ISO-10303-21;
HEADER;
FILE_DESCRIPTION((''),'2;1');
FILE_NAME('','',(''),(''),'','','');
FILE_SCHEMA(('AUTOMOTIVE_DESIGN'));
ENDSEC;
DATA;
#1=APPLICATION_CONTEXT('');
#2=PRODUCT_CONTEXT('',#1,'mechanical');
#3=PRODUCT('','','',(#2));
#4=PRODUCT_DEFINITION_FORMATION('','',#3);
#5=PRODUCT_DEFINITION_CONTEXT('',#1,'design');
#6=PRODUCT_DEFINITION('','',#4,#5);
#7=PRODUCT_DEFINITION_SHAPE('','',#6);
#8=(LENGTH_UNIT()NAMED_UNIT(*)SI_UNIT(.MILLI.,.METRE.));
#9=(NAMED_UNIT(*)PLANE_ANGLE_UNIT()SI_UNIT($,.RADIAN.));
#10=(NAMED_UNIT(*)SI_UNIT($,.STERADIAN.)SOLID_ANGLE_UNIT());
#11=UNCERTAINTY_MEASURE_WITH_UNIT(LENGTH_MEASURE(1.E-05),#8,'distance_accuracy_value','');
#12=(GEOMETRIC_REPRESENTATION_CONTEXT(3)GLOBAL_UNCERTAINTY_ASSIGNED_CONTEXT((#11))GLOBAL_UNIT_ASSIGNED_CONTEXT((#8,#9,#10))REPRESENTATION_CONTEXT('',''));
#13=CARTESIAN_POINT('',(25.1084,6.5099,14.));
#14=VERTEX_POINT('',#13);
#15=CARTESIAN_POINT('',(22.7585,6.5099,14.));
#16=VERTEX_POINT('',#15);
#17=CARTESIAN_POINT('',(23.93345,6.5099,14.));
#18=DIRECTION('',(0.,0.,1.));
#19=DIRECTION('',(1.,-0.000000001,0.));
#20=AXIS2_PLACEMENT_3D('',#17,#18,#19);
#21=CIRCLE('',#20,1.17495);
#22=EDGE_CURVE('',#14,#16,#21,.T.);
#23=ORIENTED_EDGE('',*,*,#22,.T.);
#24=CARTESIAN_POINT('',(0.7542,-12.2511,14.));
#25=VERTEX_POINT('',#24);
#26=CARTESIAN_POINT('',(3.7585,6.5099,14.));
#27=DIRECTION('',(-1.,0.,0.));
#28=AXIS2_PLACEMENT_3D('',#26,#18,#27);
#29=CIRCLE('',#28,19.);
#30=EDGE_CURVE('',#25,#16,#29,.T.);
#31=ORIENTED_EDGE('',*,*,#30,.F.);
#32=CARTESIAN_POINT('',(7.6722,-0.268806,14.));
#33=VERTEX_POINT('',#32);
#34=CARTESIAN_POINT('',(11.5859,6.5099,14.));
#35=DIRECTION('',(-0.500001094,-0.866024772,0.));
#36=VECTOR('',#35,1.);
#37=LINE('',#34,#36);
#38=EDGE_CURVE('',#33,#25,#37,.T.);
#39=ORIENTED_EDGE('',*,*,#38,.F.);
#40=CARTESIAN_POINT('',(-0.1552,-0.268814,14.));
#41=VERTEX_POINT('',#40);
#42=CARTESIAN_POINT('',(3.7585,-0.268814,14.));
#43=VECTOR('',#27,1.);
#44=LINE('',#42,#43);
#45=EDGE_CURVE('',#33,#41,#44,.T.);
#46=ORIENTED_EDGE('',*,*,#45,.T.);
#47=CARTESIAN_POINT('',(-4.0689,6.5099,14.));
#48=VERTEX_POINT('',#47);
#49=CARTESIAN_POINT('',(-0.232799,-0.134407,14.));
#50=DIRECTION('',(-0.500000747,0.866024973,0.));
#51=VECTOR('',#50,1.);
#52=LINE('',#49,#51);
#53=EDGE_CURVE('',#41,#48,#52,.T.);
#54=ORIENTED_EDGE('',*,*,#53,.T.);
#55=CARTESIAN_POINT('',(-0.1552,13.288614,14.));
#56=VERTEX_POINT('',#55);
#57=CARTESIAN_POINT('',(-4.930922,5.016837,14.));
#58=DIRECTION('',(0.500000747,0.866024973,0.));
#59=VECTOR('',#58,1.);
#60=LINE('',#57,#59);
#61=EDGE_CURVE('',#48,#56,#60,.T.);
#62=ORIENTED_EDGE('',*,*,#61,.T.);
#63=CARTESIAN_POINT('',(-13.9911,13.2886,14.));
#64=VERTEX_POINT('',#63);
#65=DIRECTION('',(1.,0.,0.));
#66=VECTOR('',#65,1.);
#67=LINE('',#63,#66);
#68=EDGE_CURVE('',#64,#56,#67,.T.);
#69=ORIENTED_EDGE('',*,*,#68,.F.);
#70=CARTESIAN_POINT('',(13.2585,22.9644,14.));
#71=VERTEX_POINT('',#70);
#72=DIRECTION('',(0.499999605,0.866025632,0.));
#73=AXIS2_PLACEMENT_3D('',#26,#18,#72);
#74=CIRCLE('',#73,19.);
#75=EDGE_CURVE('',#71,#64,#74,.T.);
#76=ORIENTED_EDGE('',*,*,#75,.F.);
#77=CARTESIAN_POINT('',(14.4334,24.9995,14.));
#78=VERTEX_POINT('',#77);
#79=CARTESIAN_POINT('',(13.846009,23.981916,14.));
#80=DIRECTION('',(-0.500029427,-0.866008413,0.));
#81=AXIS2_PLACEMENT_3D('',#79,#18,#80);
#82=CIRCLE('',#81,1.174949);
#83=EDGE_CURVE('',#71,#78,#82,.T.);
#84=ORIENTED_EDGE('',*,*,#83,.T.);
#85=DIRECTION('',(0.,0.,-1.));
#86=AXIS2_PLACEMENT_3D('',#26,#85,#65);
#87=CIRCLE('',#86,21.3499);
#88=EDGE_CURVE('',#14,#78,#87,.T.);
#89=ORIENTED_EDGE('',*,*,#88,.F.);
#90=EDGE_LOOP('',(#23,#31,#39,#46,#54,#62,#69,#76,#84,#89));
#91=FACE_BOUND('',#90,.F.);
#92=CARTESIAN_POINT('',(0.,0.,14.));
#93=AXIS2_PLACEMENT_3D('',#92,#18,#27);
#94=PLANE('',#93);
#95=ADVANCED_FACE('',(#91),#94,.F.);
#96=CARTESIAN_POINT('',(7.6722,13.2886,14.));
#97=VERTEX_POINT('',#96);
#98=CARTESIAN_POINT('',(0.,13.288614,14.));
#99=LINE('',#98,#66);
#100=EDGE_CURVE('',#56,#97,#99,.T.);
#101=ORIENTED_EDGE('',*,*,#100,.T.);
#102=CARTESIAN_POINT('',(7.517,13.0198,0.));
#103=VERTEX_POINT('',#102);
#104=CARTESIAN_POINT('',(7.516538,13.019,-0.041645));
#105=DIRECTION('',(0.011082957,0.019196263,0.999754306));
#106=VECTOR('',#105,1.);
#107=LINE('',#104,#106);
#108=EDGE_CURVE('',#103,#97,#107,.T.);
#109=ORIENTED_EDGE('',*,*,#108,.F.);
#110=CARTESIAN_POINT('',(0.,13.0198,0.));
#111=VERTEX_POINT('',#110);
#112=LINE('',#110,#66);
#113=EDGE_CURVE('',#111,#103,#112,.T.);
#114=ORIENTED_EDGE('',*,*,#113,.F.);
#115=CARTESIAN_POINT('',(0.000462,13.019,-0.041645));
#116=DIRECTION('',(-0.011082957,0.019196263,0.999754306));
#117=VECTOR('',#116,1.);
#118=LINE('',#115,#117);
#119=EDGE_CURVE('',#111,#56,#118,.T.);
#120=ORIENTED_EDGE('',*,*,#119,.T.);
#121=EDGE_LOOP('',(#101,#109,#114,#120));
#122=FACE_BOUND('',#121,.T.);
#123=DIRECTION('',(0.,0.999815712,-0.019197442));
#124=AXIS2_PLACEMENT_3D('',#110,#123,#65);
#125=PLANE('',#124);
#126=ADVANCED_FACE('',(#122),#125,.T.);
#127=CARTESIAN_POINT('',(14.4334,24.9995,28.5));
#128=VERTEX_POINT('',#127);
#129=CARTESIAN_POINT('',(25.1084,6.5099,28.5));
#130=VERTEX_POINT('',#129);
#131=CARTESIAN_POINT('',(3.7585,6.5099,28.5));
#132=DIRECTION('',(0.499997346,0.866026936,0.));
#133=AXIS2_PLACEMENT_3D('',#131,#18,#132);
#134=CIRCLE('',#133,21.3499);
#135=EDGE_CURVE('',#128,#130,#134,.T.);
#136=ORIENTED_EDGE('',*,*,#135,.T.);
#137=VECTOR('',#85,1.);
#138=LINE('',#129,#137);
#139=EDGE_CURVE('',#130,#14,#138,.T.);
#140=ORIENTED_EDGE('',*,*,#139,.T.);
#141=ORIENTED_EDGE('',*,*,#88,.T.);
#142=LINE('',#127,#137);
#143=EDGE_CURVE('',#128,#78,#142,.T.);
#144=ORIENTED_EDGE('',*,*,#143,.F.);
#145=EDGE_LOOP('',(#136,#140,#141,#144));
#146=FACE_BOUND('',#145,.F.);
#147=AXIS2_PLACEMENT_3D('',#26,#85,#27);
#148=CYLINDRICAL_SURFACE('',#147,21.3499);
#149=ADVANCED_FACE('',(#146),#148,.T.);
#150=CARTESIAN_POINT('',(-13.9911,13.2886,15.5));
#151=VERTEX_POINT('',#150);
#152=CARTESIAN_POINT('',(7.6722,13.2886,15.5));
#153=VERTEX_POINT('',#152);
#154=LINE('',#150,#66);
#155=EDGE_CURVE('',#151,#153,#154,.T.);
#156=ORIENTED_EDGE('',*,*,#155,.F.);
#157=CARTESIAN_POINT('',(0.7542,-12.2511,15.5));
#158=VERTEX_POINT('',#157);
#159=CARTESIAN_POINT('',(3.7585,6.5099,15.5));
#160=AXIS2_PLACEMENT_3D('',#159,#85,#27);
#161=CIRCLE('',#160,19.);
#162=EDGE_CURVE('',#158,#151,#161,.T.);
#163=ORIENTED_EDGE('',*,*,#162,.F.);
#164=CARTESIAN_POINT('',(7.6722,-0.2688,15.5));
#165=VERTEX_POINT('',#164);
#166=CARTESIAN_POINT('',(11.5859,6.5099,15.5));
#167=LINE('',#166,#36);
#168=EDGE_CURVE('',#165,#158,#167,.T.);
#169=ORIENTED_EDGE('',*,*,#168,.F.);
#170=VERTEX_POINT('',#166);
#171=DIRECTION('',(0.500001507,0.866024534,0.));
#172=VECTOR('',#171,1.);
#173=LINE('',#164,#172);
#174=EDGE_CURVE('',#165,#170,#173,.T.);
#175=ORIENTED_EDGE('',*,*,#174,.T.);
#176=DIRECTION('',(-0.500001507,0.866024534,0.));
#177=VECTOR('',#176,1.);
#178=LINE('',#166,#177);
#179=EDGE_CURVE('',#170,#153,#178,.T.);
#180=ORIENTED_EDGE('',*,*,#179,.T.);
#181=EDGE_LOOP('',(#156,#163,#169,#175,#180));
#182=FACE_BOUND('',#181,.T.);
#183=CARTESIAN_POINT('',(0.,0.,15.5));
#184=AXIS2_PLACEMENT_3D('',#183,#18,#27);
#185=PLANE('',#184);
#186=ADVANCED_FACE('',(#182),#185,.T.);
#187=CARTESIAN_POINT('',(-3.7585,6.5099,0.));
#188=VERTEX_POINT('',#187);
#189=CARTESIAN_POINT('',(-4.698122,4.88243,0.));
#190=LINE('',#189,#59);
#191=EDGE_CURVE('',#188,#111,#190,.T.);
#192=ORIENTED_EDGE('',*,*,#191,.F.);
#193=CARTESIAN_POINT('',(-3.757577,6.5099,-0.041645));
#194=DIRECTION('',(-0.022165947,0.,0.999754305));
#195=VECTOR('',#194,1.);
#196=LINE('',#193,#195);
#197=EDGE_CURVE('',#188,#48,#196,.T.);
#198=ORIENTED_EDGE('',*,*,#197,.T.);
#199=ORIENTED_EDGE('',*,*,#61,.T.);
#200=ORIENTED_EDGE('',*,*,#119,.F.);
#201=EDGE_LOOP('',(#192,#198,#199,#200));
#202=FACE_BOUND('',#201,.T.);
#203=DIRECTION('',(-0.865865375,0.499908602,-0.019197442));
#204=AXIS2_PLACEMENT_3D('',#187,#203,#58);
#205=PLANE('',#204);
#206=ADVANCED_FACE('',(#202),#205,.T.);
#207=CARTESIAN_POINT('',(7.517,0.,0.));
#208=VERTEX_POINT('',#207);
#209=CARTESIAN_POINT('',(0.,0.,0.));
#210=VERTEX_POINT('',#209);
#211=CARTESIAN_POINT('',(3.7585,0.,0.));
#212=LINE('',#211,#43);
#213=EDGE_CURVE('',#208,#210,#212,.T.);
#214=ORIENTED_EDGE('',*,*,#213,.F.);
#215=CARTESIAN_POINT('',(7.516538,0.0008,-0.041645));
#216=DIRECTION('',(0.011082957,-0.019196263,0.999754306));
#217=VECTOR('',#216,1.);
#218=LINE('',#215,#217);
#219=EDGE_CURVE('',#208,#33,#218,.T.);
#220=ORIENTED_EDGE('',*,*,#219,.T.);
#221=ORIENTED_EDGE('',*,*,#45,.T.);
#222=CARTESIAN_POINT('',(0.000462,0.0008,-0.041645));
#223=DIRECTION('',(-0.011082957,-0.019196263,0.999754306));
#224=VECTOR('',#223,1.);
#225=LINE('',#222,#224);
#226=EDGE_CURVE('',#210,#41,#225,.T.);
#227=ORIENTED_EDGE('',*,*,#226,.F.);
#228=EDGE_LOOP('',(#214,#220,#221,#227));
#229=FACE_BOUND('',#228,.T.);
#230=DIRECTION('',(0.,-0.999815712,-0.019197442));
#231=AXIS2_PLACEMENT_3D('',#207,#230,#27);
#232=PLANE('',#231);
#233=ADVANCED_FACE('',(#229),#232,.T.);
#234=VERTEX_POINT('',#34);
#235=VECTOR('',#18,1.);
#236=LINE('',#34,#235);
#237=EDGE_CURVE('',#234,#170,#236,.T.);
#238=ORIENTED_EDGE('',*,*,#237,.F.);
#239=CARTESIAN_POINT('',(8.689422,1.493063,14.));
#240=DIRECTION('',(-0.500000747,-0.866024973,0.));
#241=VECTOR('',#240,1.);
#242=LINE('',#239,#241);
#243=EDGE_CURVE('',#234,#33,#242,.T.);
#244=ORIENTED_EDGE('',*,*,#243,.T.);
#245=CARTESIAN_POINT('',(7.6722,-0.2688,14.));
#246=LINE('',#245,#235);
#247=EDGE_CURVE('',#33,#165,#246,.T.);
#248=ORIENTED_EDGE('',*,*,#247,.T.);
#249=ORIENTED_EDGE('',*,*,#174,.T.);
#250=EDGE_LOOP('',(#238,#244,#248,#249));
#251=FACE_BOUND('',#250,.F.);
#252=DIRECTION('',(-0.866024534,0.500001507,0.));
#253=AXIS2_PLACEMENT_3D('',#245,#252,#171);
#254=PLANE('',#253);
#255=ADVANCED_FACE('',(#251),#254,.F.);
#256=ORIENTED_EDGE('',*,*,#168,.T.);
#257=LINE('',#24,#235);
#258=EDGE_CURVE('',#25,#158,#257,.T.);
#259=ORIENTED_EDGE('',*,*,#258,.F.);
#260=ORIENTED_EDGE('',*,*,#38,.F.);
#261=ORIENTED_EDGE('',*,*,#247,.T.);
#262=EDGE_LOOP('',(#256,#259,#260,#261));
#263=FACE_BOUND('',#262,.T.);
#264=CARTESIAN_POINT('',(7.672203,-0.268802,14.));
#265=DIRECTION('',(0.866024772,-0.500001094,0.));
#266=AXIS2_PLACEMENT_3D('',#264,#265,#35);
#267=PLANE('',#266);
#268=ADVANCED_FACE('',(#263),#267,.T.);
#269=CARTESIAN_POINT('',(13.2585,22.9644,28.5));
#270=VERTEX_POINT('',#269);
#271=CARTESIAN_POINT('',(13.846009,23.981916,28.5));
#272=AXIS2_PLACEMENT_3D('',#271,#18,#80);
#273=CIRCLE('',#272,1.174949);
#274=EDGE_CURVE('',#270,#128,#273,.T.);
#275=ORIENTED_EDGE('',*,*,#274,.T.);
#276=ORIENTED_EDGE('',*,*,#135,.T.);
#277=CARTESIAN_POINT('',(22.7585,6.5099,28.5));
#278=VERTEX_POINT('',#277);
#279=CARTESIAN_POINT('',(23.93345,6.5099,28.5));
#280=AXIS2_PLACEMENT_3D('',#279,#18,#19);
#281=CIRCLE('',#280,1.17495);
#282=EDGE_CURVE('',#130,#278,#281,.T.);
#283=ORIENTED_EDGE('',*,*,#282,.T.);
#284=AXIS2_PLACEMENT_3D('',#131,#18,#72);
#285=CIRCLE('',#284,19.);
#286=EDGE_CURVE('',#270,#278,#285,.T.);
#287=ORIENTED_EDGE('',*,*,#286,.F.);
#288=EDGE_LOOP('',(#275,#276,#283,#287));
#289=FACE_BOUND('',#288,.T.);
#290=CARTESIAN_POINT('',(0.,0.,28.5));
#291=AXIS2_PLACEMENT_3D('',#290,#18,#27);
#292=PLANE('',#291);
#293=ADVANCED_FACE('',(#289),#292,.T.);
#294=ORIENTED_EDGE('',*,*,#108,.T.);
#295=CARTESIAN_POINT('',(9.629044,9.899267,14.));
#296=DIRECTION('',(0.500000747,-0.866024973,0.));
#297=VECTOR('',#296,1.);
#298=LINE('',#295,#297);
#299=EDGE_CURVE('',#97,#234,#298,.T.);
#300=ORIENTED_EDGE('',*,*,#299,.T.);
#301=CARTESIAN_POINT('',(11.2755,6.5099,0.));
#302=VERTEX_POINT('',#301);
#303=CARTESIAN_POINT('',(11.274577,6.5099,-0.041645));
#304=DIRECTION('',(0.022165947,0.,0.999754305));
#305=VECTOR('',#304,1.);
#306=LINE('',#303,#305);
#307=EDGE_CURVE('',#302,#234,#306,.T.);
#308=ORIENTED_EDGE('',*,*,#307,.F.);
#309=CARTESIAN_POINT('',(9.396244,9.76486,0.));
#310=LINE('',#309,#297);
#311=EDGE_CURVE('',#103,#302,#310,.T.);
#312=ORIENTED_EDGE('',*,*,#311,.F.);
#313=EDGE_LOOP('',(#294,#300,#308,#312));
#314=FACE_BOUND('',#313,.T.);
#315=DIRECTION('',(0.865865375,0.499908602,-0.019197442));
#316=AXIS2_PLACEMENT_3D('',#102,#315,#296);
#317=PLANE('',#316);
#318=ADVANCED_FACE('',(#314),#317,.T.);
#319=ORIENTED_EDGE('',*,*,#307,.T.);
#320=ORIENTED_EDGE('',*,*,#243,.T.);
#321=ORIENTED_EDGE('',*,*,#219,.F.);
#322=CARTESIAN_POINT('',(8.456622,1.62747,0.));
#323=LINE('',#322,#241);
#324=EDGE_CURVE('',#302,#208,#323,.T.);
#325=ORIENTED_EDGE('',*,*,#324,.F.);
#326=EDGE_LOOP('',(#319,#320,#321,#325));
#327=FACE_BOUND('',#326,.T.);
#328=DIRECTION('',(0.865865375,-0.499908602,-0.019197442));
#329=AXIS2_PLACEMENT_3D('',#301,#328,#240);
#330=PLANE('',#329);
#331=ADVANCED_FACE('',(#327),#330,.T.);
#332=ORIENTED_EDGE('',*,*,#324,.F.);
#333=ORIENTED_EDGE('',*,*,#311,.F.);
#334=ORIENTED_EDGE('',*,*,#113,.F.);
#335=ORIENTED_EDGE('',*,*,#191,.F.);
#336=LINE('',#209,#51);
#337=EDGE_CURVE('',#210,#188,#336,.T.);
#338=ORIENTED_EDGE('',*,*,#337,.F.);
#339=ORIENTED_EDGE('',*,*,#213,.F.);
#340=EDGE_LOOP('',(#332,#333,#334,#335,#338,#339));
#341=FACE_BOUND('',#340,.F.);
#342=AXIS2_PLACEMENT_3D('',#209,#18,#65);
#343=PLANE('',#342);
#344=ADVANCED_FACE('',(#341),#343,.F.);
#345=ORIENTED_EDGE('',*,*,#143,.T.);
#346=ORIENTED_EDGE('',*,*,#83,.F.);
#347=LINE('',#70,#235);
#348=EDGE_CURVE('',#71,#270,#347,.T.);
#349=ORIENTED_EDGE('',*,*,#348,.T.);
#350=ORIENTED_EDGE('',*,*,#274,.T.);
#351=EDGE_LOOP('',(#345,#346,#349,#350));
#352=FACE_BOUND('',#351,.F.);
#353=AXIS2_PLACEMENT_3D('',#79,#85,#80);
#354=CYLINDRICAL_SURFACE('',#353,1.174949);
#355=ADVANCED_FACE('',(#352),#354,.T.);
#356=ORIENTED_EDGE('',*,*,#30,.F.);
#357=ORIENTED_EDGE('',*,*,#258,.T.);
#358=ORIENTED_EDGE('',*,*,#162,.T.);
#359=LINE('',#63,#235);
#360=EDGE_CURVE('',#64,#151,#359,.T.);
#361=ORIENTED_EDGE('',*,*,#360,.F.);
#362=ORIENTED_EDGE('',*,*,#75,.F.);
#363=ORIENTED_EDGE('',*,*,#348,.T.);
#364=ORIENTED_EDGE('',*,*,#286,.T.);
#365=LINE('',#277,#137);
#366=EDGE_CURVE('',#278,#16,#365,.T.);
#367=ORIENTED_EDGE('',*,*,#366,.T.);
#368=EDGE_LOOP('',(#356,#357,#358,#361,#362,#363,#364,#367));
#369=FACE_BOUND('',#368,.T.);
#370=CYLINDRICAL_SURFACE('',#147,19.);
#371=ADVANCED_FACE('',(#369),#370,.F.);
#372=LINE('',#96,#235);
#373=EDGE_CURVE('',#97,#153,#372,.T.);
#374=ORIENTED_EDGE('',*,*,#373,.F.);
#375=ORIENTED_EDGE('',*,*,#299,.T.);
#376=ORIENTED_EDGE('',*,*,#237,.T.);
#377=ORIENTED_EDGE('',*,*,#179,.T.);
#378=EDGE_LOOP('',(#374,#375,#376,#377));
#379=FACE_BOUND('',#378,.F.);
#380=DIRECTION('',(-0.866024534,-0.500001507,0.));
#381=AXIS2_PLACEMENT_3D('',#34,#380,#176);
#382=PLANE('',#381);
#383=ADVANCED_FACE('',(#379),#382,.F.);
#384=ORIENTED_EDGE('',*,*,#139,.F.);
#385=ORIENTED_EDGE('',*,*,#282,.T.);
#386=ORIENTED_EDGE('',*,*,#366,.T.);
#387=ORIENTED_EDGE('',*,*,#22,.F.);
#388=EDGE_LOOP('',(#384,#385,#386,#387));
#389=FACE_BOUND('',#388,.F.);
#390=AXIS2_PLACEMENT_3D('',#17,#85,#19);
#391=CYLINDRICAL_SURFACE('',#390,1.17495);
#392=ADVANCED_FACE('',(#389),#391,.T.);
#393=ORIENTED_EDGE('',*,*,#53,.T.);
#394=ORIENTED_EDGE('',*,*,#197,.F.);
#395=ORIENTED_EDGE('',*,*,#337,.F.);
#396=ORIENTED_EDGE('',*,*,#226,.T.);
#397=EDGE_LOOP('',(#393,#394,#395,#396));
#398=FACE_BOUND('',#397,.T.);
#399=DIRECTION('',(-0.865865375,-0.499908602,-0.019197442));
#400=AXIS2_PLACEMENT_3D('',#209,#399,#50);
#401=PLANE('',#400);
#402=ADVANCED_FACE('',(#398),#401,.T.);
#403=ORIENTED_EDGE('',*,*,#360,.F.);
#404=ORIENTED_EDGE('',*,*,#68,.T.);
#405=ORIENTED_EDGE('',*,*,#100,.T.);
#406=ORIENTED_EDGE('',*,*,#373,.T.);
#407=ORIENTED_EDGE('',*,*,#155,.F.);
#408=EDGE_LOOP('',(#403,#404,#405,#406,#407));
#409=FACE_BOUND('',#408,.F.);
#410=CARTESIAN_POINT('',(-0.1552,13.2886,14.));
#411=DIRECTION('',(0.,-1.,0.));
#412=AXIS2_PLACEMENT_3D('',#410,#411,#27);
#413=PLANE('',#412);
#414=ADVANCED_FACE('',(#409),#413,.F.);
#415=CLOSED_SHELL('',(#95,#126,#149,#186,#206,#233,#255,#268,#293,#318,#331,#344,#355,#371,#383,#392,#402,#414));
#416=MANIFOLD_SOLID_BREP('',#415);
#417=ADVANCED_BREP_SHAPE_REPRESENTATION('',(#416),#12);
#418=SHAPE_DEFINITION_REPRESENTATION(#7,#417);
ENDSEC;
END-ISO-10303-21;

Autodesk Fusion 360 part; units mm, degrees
sketch "Sketch1" plane through (0, 0, 0) normal (0, 0, 1) x (1, 0, 0)
  line L0 (0, 0) -> (-3.7585, 6.5099)
  line L1 (-3.7585, 6.5099) -> (0, 13.0198)
  line L2 (0, 13.0198) -> (7.517, 13.0198)
  line L3 (7.517, 13.0198) -> (11.2755, 6.5099)
  line L4 (11.2755, 6.5099) -> (7.517, 0)
  line L5 (7.517, 0) -> (0, 0)
  dimension "d1" = 120
  dimension "d2" = 120
  dimension "d3" = 7.517
  dimension "d4" = 7.517
  dimension "d5" = 7.517
  dimension "d6" = 7.517
extrude "Extrude1" add sketch "Sketch1" along normal blind 14 draft 1.1
sketch "Sketch2" plane through (0, 0, 14) normal (0, 0, 1) x (-1, 0, 0)
  line L0 (0.1552, 0.2688) -> (-7.6722, 0.2688)
  line L1 (-7.6722, 0.2688) -> (-11.5859, -6.5099)
  line L2 (-11.5859, -6.5099) -> (-7.6722, -13.2886)
  line L3 (-7.6722, -13.2886) -> (0.1552, -13.2886)
  line L4 (0.1552, -13.2886) -> (4.0689, -6.5099)
  line L5 (4.0689, -6.5099) -> (0.1552, 0.2688)
  line L6 (0.1552, -13.2886) -> (-7.6722, 0.2688)
  line L7 (4.0689, -6.5099) -> (-11.5859, -6.5099)
  line L8 (-7.6722, -13.2886) -> (0.1552, 0.2688)
  circle A0 centre (-3.7585, -6.5099) radius 19
  circle A1 centre (-3.7585, -6.5099) radius 21.3499
  line L9 (5.0153, -25.9737) -> (5.8455, -26.0477)
  line L10 (4.3962, -24.2552) -> (5.1351, -23.2999)
  line L11 (-3.7585, -6.5099) -> (-3.7585, -7)
  line L12 (-13.3271, -26.7079) -> (-13.2828, -26.7025)
  line L13 (-12.3737, -24.5944) -> (-12.4136, -24.5402)
  line L14 (-3.7585, -6.5099) -> (-25.1084, -6.5099)
  line L15 (-3.7585, -6.5099) -> (-14.4334, -24.9995)
  arc A2 (-13.2585, -22.9644) -> (-14.4334, -24.9995) centre (-13.846, -23.9819) ccw
  arc A3 (-25.1084, -6.5099) -> (-22.7585, -6.5099) centre (-23.9334, -6.5099) ccw
  line L16 (-11.5859, -6.5099) -> (-0.7542, 12.2511)
  line L17 (-7.6722, -13.2886) -> (13.9911, -13.2886)
  dimension "d9" = 38
  dimension "d10" = 2.3499
extrude "Extrude2" add sketch "Sketch2" along normal blind 1.5 contours L0 L6 L8 | L0 L4 L5 A0 L16 L17 | L5 L7 L8 | L1 L6 L7 L14 L16 | L4 L6 L7 | L2 L7 L8 L14 L15 | L3 L6 L8 L15 L17 | A0 A1 L14 L15 | L14 A3 | L15 A2
extrude "Extrude3" add sketch "Sketch2" along normal blind 14.5 contours A0 A1 L14 L15 | L14 A3 | L15 A2
equation "d2 = d1"
equation "d4 = d3"
equation "d5 = d3"
equation "d6 = d3"
